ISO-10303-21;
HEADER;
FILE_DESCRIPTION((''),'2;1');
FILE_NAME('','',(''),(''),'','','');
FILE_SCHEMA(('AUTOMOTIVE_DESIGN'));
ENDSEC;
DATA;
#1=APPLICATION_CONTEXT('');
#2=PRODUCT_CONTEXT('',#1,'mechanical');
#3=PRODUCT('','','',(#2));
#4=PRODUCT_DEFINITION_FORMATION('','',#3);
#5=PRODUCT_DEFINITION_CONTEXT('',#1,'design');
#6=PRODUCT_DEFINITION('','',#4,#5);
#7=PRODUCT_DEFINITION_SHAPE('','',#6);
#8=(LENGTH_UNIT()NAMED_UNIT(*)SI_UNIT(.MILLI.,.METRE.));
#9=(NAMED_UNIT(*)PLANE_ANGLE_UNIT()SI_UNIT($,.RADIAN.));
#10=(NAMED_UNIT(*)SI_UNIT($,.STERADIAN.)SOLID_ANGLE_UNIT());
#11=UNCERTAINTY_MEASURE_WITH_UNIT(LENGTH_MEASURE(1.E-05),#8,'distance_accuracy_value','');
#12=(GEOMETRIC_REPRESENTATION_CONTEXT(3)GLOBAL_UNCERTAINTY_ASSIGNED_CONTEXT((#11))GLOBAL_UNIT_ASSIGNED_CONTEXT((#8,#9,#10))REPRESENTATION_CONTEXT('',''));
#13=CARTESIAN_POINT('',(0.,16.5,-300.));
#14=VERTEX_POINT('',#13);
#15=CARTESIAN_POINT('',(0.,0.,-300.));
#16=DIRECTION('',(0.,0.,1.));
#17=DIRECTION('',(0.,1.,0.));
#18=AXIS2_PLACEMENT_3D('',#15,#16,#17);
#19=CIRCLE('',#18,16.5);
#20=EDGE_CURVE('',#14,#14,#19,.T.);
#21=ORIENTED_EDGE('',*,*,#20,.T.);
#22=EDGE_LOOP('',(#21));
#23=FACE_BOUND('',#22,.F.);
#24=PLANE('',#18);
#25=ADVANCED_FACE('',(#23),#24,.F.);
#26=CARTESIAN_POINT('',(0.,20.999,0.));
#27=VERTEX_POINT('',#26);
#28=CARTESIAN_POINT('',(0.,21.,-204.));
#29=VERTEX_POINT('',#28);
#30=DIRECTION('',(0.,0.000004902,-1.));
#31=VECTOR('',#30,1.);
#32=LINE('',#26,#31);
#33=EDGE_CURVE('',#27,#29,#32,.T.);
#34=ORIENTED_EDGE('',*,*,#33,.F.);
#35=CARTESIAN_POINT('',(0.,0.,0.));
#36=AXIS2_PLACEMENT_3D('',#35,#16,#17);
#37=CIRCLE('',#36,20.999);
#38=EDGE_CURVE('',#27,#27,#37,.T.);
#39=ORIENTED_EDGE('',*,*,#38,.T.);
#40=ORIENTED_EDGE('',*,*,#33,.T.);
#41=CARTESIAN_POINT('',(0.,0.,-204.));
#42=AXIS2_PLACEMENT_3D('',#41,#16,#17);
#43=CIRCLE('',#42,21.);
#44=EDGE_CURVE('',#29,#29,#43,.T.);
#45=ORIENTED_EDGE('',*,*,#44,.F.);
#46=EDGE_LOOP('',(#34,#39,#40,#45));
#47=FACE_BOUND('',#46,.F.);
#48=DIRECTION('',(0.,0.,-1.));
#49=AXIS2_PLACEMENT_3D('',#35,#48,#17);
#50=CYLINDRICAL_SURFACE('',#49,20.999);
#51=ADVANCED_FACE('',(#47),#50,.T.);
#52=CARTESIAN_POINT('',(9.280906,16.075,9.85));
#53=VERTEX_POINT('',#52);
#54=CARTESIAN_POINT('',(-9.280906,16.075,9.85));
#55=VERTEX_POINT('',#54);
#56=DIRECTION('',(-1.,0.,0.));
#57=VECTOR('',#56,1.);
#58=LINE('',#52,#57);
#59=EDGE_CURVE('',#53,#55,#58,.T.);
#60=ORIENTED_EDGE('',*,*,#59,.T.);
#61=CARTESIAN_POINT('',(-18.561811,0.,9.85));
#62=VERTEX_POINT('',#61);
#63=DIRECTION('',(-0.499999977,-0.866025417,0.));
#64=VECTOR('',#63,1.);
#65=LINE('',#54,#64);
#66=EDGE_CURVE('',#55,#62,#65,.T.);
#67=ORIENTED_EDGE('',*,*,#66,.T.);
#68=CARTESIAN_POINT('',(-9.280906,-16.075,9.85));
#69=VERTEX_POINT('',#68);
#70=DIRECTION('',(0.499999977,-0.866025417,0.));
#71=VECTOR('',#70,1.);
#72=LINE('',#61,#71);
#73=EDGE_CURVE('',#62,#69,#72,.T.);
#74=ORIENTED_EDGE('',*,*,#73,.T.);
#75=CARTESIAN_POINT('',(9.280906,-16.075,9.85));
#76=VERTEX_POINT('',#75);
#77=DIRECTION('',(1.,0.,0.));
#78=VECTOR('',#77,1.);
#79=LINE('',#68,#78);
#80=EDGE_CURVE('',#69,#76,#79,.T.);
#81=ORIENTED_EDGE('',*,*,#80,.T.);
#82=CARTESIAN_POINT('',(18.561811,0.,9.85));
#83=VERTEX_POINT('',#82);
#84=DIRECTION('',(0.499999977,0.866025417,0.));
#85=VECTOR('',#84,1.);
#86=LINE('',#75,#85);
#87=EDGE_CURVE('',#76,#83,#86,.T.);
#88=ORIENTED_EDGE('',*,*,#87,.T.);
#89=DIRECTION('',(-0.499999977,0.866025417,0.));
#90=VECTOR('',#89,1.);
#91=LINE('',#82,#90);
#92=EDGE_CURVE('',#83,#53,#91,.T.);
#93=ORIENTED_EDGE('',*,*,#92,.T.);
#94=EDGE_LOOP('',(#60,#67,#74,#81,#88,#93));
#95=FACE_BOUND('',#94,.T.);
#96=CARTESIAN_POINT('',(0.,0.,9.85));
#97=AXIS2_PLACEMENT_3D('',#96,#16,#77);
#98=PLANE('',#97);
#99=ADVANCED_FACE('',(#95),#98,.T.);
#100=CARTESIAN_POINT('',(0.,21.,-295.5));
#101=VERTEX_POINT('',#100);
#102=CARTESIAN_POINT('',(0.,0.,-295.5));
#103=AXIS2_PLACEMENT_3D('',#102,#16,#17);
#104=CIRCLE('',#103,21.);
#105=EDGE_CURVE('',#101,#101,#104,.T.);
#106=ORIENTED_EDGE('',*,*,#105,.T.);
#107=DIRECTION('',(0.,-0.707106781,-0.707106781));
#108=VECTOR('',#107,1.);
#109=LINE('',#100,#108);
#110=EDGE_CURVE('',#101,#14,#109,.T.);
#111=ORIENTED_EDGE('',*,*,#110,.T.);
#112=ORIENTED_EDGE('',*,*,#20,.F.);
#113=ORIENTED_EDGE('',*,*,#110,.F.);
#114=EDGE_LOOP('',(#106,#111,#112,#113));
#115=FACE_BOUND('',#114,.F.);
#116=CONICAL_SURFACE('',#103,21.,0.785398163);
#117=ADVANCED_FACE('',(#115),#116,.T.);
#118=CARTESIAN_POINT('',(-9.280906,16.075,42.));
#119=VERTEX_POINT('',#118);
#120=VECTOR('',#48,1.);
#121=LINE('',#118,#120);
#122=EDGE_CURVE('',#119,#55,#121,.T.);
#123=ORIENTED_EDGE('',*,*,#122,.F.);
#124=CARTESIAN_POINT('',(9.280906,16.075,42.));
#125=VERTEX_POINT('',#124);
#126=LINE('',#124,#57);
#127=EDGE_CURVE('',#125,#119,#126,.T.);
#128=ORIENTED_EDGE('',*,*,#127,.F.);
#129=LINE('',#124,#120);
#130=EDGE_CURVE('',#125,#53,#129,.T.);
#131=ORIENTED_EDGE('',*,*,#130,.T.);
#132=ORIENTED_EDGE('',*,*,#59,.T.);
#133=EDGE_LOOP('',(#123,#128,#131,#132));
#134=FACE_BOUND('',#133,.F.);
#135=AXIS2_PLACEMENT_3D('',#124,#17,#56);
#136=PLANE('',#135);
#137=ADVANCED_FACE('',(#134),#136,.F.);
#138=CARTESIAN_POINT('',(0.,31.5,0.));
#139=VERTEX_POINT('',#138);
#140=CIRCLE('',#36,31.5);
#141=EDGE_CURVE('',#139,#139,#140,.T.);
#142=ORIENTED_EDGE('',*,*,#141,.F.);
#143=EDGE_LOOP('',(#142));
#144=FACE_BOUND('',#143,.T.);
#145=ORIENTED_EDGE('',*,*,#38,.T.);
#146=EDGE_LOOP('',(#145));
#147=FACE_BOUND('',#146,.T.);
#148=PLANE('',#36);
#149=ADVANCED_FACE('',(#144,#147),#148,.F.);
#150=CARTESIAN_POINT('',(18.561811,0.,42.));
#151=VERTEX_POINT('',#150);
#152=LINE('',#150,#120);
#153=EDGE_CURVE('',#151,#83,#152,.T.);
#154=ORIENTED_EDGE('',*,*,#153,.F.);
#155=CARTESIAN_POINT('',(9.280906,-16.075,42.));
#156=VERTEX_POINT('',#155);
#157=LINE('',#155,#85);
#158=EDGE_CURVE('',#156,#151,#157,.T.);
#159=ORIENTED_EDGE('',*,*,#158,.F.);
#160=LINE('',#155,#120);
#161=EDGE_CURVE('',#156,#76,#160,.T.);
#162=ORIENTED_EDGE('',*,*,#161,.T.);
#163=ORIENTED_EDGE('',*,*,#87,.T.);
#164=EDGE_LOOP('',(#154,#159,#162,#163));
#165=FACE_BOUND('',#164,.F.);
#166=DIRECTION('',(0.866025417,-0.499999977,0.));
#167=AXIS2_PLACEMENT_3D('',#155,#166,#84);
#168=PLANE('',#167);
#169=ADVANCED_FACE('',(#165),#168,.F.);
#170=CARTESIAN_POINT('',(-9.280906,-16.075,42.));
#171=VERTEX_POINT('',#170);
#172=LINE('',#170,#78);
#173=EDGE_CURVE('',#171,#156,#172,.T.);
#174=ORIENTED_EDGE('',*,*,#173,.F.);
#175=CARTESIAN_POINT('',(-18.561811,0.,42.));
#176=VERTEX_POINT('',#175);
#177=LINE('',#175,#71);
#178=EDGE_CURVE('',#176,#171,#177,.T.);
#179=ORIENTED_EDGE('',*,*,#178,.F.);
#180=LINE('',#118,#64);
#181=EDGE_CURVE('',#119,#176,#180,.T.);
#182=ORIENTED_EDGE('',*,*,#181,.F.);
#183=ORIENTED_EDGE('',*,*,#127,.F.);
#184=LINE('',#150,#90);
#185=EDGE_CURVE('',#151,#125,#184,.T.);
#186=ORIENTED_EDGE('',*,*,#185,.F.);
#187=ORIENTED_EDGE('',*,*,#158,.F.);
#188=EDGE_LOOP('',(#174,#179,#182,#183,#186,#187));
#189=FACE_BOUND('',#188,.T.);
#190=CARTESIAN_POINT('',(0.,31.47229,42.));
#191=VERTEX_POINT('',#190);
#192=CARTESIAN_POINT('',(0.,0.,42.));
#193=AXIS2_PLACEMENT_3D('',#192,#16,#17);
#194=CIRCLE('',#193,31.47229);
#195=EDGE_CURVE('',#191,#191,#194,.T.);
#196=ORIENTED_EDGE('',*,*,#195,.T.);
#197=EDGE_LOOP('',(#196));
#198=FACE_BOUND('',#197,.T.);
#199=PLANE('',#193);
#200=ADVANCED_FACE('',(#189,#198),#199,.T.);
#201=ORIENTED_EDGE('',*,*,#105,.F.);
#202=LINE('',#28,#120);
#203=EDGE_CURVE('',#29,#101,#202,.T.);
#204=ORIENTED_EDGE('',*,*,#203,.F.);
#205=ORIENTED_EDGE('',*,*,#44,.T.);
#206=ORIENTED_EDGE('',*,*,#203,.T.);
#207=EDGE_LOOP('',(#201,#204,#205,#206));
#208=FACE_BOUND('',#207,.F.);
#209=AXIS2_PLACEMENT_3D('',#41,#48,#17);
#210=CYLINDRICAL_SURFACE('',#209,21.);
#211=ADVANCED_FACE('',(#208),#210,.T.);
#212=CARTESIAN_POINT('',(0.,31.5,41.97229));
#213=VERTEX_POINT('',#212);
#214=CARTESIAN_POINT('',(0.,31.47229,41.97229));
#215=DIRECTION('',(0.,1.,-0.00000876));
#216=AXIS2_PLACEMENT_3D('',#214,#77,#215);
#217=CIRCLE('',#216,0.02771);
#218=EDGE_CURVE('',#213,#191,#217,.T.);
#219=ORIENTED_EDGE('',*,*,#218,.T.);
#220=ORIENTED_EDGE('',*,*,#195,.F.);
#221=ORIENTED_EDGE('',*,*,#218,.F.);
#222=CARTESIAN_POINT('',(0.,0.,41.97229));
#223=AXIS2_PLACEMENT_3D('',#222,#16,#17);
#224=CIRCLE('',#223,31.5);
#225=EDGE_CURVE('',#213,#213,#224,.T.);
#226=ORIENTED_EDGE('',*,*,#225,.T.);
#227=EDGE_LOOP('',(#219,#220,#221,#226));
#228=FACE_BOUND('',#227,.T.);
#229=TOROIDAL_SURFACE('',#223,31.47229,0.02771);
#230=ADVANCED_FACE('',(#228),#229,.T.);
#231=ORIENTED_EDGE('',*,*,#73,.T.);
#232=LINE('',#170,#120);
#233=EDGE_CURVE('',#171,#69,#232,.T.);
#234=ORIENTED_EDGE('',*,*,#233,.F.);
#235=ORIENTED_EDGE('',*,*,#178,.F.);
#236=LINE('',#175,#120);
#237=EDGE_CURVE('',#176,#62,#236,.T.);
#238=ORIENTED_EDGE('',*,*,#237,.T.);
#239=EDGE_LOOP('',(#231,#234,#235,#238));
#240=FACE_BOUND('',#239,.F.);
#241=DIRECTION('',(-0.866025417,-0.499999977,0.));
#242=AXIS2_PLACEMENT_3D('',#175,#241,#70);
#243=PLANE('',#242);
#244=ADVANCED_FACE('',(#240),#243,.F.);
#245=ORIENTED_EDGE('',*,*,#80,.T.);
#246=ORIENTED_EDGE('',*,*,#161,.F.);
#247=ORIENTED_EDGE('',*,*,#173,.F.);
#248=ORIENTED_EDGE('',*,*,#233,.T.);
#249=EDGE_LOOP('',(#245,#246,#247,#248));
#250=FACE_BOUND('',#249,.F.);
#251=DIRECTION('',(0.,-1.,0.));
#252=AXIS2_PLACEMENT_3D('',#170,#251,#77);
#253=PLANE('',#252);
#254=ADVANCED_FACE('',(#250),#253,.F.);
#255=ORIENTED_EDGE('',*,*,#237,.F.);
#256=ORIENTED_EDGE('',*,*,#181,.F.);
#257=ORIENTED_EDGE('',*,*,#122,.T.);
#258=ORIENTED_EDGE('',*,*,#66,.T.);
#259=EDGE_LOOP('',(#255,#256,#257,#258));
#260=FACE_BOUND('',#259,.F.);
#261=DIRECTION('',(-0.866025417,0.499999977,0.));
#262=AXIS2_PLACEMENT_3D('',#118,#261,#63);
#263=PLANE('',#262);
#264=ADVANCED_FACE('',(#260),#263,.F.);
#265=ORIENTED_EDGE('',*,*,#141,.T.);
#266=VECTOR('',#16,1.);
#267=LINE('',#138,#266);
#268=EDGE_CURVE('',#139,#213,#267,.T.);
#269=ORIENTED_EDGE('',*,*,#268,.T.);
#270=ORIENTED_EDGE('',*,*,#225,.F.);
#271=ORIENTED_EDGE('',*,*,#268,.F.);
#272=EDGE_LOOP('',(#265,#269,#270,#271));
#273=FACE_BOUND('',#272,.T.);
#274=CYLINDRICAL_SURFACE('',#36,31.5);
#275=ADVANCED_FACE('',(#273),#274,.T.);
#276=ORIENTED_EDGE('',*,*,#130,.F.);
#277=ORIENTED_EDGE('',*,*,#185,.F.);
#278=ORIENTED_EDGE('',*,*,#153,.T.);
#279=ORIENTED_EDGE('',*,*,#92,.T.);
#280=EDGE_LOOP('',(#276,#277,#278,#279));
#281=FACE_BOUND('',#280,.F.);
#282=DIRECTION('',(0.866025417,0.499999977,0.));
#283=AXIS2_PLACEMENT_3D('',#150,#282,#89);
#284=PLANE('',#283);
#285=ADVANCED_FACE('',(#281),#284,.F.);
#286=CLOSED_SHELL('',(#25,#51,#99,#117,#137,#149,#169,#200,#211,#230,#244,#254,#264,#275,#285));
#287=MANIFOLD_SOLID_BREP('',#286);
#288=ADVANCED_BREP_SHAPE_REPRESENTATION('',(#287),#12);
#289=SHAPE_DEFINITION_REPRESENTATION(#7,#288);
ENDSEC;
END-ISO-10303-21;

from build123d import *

# Parameters (mm, degrees)
POCKET_DEPTH = 32.15


with BuildPart() as part:
    # Sketch → Revolve (revolve)
    with BuildSketch(Plane.YZ):
        with BuildLine():
            Line((20.999, 0), (31.5, 0))
            Line((31.5, 0), (31.5, 41.97229))
            ThreePointArc((31.5, 41.97229), (31.491884, 41.991884), (31.47229, 42))
            Line((31.47229, 42), (0, 42))
            Line((0, -300), (0, 42))
            Line((16.5, -300), (0, -300))
            Line((21, -295.5), (16.5, -300))
            Line((21, -204), (21, -295.5))
            Line((20.999, 0), (21, -204))
        make_face()
    revolve(axis=Axis((0, 0, 0), (0, 0, 1)))

    # Sketch001 → Pocket (cut)
    with BuildSketch(Plane.XY.offset(42)):
        Polygon((18.561811, 0), (9.280906, 16.075), (-9.280906, 16.075), (-18.561811, 0), (-9.280906, -16.075), (9.280906, -16.075), align=None)
    extrude(amount=-POCKET_DEPTH, mode=Mode.SUBTRACT)


solid = part.part
